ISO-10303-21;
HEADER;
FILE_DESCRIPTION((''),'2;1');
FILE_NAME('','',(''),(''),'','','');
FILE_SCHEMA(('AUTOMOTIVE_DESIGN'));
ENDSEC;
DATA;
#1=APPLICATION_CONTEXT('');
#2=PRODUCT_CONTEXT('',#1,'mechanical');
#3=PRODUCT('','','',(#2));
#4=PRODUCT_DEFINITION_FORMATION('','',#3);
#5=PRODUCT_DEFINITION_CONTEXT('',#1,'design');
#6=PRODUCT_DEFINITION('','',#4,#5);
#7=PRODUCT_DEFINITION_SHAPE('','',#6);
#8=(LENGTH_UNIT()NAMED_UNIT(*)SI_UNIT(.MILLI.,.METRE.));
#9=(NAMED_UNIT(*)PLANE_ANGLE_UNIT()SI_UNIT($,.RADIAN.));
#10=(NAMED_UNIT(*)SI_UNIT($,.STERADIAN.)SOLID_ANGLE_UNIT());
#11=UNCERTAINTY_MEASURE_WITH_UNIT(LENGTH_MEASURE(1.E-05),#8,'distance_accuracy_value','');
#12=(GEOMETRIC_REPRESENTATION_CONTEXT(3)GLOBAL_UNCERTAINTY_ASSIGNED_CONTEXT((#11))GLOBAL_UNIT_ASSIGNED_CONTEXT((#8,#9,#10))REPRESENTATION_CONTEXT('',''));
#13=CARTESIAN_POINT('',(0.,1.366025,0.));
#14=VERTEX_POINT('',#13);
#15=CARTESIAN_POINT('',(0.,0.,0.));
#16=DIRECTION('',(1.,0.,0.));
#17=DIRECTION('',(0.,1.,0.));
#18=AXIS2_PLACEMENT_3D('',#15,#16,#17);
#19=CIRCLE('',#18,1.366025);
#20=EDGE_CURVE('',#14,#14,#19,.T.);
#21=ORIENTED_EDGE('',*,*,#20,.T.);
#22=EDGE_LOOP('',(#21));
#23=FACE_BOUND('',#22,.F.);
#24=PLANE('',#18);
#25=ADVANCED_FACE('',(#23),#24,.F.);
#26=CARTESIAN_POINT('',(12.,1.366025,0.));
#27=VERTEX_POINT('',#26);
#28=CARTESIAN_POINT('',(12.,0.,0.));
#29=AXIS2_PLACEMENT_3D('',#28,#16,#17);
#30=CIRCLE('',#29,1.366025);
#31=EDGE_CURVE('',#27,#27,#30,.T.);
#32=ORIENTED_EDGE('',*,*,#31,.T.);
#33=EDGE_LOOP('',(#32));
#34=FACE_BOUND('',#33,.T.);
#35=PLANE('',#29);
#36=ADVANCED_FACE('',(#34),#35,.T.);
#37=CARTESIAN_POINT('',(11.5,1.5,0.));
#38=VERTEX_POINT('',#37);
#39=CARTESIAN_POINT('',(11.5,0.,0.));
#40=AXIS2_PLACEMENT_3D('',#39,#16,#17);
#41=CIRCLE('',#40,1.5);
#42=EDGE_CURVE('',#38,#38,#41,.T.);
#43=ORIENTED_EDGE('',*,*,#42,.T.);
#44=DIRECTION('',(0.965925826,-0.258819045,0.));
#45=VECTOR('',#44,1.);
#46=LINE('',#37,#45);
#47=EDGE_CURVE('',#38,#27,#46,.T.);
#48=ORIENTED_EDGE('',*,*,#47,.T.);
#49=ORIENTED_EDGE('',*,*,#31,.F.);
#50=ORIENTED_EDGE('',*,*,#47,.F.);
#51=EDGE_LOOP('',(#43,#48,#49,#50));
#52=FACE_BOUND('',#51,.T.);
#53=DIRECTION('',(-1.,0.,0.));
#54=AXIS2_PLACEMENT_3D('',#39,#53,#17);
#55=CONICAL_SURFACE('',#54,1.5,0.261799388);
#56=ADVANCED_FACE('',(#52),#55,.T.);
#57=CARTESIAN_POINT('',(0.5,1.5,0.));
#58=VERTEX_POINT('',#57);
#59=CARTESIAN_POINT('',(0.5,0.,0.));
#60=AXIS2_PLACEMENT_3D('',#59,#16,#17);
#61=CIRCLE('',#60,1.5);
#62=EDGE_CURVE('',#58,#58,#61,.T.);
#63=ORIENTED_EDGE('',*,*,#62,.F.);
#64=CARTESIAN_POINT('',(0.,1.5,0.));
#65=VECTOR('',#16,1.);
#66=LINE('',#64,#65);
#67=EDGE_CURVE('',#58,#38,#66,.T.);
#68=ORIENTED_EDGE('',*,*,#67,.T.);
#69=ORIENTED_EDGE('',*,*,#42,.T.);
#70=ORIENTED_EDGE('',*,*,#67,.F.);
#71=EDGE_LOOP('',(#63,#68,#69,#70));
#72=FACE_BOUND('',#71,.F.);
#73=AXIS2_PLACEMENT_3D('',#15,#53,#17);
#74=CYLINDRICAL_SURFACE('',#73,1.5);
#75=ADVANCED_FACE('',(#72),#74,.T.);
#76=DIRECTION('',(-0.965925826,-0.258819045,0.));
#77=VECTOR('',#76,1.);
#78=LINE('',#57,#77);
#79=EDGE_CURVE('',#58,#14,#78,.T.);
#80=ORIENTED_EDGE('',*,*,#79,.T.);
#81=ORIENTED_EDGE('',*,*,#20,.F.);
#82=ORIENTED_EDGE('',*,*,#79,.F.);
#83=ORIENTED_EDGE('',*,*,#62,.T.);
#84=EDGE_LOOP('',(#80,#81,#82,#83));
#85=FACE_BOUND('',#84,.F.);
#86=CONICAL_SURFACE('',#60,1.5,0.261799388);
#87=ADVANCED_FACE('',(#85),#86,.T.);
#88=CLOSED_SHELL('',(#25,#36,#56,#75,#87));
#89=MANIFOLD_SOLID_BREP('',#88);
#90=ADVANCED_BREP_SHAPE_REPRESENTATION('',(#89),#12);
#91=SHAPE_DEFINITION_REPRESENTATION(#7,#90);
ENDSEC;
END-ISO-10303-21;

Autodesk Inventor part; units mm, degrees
ref_plane "YZ Plane" through (0, 0, 0) normal (1, 0, 0) x (0, 1, 0)
ref_plane "XZ Plane" through (0, 0, 0) normal (0, 1, 0) x (-1, 0, 0)
ref_plane "XY Plane" through (0, 0, 0) normal (0, 0, 1) x (1, 0, 0)
sketch "Sketch" plane through (0, 0, 0) normal (1, 0, 0) x (0, 1, 0)
  circle A0 centre (0, 0) radius 1.5
  dimension "d1" = 3
extrude "Body" add sketch "Sketch" along normal blind 12
chamfer "Chamfer1" distance 0.5 angle 15 1 edges at (0, -1.5, 0) measured on face at (8, 1.4806, -0.2406)
chamfer "Chamfer2" distance 0.5 angle 15 1 edges at (12, -1.5, 0) measured on face at (8.1667, 1.4806, -0.2406)
equation "\"d1\" = NND"
equation "\"d2\" = NLG"
equation "\"d4\" = PHH"
equation "\"d5\" = FAWI"
equation "\"d11\" = PHH"
equation "\"d8\" = PHH"
equation "\"d9\" = FAWI"
equation "\"d12\" = PHH"
equation "\"NND\" = 3"
equation "\"NLG\" = 12"
equation "\"PHH\" = 0.5"
equation "\"FAWI\" = 15deg"
equation "\"PHH2\" = PHH"
equation "\"FAWI2\" = 15deg"
properties part number "ISO 8734 - 3 x 12 - A" material "Steel"
